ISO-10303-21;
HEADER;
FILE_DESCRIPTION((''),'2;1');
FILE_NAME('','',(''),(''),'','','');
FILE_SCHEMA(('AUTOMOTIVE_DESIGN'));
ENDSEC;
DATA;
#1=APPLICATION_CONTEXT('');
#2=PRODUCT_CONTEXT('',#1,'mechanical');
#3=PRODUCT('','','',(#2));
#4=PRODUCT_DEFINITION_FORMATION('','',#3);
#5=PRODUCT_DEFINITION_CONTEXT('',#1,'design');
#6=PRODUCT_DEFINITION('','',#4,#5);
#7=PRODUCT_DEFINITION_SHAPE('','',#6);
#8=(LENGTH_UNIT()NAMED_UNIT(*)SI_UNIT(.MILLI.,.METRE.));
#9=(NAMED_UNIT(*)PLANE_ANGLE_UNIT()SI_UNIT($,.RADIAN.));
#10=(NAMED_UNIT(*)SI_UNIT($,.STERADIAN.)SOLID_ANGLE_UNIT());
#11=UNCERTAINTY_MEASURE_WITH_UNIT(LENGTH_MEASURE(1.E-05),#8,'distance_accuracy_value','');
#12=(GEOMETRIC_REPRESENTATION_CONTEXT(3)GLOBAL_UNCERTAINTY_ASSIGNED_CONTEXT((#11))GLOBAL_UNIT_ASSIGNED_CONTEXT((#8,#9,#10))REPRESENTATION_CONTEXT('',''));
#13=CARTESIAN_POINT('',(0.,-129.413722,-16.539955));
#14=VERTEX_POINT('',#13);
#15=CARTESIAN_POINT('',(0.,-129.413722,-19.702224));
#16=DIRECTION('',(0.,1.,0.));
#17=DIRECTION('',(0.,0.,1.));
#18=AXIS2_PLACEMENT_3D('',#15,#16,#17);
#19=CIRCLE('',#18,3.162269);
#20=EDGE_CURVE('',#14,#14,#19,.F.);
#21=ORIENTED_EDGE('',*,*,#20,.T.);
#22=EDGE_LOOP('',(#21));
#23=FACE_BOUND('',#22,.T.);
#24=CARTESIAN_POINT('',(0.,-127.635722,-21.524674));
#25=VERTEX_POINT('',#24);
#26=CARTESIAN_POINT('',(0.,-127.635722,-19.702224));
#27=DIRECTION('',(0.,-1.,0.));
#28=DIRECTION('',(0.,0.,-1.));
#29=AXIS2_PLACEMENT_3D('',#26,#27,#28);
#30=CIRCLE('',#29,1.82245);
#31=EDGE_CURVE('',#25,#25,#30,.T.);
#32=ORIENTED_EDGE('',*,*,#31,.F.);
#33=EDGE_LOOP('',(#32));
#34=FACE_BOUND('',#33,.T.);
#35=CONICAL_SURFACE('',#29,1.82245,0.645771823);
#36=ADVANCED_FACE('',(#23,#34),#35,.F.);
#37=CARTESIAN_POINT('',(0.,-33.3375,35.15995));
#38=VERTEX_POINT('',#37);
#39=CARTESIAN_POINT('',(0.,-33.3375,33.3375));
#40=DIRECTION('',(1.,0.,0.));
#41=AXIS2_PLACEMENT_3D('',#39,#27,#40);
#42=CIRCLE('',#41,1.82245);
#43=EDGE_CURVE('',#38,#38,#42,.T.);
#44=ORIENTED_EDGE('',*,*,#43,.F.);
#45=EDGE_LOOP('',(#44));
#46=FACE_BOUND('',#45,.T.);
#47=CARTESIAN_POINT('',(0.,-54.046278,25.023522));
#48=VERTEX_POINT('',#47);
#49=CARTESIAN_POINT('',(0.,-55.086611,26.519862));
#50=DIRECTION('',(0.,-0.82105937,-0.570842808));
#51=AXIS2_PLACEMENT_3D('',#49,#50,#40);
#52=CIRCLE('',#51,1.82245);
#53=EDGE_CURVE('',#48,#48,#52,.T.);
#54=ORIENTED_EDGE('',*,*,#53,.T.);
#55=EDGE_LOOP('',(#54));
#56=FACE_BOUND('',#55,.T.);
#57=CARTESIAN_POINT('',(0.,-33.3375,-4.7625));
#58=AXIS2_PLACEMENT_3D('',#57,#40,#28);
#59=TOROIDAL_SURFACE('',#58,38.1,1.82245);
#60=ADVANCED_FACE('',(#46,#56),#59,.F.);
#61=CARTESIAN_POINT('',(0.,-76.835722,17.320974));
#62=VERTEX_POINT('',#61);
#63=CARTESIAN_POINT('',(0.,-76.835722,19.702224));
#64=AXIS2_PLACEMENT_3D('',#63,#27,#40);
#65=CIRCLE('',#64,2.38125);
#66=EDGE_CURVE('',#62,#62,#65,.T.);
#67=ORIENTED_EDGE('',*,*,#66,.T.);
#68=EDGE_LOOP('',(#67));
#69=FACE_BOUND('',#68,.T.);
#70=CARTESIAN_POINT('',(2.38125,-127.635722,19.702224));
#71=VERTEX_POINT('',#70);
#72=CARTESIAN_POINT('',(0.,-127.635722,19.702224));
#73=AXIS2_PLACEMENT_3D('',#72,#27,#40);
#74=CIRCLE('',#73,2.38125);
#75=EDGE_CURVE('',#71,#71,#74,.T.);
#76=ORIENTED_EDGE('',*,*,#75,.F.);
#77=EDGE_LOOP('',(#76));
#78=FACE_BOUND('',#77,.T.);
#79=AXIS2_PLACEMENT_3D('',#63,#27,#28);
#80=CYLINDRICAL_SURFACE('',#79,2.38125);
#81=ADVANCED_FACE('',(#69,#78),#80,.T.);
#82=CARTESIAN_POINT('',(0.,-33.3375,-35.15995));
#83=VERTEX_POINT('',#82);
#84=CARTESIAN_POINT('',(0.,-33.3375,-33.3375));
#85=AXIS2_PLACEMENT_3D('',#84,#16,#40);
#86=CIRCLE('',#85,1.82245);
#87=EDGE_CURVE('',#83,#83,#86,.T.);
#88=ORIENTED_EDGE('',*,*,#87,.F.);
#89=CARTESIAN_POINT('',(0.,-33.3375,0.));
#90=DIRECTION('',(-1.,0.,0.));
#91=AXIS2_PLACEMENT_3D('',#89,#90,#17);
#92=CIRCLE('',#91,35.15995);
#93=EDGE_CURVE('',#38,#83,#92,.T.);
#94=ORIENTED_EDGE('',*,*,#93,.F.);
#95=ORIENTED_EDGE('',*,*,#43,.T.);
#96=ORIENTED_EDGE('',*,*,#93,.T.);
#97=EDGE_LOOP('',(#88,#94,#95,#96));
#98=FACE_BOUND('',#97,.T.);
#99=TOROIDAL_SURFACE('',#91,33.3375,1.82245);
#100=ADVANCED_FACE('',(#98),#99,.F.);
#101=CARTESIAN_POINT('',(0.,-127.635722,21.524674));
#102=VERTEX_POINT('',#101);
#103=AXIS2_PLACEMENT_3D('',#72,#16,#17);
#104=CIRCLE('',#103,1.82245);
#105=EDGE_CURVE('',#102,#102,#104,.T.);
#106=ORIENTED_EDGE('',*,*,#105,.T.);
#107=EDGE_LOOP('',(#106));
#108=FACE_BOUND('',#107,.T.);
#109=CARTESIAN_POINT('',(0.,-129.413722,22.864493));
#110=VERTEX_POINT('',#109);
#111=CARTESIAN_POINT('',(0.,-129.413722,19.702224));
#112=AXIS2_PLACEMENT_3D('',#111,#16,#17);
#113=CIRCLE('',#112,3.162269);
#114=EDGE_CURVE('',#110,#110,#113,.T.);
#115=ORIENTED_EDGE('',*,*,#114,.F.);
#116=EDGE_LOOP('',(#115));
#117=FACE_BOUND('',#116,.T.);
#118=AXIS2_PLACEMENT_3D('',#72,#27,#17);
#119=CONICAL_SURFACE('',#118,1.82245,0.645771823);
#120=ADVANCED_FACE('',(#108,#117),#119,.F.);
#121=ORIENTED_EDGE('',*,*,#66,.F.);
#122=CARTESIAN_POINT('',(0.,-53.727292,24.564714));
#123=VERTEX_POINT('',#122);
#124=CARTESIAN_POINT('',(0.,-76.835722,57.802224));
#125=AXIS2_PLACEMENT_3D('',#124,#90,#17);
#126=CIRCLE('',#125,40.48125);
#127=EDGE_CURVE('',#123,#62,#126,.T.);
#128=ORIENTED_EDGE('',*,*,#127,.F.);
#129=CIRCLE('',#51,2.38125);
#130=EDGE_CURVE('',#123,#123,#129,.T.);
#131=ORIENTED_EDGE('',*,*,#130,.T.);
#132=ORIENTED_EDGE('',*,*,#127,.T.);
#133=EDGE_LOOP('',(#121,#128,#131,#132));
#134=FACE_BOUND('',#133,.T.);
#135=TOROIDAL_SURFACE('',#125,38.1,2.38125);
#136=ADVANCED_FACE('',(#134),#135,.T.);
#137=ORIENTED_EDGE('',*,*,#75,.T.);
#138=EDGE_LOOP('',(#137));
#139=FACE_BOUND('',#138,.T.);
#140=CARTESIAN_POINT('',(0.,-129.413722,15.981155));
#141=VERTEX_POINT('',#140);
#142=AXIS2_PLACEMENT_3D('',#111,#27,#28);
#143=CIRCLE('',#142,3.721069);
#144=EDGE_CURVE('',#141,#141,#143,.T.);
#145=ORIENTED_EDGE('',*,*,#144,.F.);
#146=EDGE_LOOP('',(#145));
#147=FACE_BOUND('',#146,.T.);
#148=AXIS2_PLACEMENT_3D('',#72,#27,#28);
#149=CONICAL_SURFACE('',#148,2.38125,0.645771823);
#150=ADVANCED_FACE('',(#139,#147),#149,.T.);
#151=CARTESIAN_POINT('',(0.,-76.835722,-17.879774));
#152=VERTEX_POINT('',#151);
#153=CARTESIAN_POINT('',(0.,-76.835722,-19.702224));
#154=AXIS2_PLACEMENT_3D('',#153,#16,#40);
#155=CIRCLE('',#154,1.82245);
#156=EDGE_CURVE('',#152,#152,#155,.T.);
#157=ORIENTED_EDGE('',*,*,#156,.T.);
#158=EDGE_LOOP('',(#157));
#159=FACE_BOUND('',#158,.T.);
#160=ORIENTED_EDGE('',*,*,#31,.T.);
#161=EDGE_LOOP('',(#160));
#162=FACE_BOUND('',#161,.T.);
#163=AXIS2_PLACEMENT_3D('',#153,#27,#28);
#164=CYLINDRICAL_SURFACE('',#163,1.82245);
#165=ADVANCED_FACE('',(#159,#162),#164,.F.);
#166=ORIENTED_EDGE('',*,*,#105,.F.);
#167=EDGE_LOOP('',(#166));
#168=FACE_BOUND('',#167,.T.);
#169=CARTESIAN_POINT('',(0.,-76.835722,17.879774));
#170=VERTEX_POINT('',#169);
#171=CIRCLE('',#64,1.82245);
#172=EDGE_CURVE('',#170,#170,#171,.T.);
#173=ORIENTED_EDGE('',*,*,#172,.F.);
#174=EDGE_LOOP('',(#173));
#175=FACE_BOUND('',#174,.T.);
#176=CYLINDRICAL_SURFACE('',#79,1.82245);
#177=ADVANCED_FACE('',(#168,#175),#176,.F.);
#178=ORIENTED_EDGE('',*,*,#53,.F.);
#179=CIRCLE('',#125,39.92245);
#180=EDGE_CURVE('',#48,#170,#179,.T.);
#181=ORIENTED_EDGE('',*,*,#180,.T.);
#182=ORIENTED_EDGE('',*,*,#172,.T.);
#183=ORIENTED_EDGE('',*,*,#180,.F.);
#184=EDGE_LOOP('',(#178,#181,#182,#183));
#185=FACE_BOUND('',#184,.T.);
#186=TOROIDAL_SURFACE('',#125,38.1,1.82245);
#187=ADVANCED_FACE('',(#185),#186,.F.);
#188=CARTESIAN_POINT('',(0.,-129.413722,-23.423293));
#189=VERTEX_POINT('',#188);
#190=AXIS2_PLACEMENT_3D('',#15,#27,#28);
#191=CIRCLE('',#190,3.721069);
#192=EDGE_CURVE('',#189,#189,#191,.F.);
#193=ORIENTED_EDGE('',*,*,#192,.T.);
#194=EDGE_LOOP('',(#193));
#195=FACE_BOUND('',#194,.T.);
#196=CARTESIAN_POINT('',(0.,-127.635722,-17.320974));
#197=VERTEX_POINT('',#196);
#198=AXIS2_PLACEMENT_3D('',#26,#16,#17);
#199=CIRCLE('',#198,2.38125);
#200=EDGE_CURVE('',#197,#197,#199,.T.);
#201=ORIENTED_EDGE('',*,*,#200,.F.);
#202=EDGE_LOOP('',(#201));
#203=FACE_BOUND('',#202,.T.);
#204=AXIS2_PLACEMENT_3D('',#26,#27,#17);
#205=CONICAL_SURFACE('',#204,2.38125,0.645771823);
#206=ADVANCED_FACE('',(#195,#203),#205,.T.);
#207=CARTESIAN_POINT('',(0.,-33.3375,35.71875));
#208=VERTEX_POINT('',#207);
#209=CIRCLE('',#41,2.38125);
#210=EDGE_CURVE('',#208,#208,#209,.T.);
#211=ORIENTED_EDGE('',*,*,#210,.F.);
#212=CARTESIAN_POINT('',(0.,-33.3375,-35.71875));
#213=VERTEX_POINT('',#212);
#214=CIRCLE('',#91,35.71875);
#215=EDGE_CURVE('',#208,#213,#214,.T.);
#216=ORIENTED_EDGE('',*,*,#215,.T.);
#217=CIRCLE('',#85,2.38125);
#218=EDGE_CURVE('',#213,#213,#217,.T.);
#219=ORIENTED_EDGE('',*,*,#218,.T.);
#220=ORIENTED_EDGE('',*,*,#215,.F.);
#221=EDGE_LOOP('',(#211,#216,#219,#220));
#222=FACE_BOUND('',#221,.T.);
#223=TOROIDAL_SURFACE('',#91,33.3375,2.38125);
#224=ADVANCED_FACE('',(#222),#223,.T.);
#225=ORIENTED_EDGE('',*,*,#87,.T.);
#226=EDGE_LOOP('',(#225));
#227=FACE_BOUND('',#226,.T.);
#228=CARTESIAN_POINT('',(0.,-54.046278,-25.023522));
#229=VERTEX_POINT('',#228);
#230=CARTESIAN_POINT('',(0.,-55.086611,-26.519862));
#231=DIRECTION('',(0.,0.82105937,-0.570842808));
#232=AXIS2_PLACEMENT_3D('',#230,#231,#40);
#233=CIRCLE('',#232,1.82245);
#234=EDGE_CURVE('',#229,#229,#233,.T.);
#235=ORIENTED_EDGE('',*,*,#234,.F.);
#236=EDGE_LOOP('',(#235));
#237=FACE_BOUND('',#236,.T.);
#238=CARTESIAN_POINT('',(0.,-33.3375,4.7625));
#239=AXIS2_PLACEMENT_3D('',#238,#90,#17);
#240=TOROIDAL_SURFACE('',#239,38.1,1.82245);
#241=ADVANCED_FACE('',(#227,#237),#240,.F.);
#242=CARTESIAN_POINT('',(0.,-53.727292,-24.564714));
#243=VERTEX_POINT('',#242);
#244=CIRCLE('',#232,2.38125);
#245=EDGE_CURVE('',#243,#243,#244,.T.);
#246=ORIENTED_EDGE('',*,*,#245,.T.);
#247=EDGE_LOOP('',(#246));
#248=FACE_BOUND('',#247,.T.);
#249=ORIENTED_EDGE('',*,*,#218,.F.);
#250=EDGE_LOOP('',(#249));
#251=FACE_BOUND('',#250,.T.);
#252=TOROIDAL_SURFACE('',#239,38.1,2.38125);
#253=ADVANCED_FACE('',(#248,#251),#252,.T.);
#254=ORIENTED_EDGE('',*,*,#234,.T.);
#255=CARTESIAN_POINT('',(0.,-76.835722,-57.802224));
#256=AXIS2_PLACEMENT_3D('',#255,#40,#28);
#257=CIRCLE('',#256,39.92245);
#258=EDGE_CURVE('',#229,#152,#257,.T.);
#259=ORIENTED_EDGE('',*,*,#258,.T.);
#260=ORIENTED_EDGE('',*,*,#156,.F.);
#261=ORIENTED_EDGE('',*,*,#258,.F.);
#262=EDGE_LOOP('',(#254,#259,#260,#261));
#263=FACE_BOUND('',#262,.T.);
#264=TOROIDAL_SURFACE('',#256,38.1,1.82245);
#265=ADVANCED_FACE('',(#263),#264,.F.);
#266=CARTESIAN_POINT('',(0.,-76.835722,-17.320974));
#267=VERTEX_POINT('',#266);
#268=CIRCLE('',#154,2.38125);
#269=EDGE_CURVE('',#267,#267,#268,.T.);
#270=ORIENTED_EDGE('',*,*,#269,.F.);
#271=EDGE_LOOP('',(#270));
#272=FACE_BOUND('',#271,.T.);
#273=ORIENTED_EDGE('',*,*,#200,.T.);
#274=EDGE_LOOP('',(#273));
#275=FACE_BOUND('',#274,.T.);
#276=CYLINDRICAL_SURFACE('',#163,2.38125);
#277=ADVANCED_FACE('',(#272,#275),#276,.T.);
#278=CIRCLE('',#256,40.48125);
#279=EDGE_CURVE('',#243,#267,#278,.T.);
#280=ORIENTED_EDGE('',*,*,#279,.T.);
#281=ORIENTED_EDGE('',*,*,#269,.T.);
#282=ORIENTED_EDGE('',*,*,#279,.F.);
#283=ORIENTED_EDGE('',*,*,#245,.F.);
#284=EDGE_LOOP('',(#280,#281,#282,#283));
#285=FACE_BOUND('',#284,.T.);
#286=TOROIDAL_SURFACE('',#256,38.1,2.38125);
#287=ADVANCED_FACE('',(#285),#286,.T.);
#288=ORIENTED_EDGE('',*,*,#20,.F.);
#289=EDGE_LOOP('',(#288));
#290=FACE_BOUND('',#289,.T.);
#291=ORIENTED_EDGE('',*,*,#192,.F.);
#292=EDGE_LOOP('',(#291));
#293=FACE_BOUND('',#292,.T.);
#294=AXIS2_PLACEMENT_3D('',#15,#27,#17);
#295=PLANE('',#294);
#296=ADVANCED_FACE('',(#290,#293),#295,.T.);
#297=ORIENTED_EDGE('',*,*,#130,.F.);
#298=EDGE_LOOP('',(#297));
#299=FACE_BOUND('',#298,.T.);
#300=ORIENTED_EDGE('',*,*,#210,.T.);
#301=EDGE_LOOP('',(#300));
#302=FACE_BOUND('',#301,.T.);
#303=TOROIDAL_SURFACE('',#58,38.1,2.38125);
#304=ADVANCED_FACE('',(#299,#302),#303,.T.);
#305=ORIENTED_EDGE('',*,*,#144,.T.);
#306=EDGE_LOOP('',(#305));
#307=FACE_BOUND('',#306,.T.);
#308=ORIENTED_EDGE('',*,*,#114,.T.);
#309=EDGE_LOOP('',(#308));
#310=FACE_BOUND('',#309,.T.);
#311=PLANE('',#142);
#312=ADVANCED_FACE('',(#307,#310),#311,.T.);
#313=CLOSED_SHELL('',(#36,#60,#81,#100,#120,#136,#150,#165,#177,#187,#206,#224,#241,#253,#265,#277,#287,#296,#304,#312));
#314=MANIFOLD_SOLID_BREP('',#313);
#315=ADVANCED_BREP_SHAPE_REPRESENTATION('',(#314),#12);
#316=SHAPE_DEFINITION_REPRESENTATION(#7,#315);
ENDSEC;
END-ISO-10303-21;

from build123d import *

# Parameters (mm, degrees)
SKETCH8_R           = 2.38125
SKETCH8_R_2         = 1.82245
SKETCH10_R          = 2.38125
BOSS_EXTRUDE3_DEPTH = 1.778
BOSS_EXTRUDE3_TAPER = -37
SKETCH11_R          = 1.82245
CUT_EXTRUDE2_DEPTH  = 2.7780001
CUT_EXTRUDE2_TAPER  = -37


with BuildPart() as part:
    # Sweep2: sweep along a path in Sketch9
    with BuildLine(Plane(origin=(0, 0, 0), x_dir=(0, 0, -1), z_dir=(1, 0, 0))) as sweep2_path:
        Line((-19.702223994, -127.635721936), (-19.702223994, -76.835721936))
        ThreePointArc((-19.702223994, -76.835721936), (-21.446564241, -65.439406568), (-26.519861997, -55.086610968))
        ThreePointArc((-26.519861997, -55.086610968), (-31.593159753, -44.733815368), (-33.3375, -33.3375))
        ThreePointArc((-33.3375, -33.3375), (-23.573172318, -9.764327682), (0, 0))
    # Sketch8 → Sweep2 (sweep)
    with BuildSketch(Plane.XY):
        Circle(SKETCH8_R)
        Circle(SKETCH8_R_2, mode=Mode.SUBTRACT)
    sweep2 = sweep(path=sweep2_path.line)

    # Sketch10 → Boss-Extrude3 (add)
    with BuildSketch(Plane.XZ.offset(127.635721936)):
        with Locations(Location((0, 19.702223994, 0), (0, 0, 270))):  # turned: the seam where the file's is
            Circle(SKETCH10_R)
    boss_extrude3 = extrude(amount=BOSS_EXTRUDE3_DEPTH, taper=BOSS_EXTRUDE3_TAPER)

    # Sketch11 → Cut-Extrude2 (cut, through all)
    with BuildSketch(Plane(origin=(0, -127.635721936, 0), x_dir=(1, 0, 0), z_dir=(0, 1, 0))):
        with Locations(Location((0, -19.702223994, 0), (0, 0, 90))):  # turned: the seam where the file's is
            Circle(SKETCH11_R)
    cut_extrude2 = extrude(amount=-CUT_EXTRUDE2_DEPTH, taper=CUT_EXTRUDE2_TAPER, mode=Mode.SUBTRACT)

    # Mirror1: Sweep2, Boss-Extrude3, Cut-Extrude2 across plane
    add(sweep2.mirror(Plane.XY))
    add(boss_extrude3.mirror(Plane.XY))
    add(cut_extrude2.mirror(Plane.XY), mode=Mode.SUBTRACT)


solid = part.part
